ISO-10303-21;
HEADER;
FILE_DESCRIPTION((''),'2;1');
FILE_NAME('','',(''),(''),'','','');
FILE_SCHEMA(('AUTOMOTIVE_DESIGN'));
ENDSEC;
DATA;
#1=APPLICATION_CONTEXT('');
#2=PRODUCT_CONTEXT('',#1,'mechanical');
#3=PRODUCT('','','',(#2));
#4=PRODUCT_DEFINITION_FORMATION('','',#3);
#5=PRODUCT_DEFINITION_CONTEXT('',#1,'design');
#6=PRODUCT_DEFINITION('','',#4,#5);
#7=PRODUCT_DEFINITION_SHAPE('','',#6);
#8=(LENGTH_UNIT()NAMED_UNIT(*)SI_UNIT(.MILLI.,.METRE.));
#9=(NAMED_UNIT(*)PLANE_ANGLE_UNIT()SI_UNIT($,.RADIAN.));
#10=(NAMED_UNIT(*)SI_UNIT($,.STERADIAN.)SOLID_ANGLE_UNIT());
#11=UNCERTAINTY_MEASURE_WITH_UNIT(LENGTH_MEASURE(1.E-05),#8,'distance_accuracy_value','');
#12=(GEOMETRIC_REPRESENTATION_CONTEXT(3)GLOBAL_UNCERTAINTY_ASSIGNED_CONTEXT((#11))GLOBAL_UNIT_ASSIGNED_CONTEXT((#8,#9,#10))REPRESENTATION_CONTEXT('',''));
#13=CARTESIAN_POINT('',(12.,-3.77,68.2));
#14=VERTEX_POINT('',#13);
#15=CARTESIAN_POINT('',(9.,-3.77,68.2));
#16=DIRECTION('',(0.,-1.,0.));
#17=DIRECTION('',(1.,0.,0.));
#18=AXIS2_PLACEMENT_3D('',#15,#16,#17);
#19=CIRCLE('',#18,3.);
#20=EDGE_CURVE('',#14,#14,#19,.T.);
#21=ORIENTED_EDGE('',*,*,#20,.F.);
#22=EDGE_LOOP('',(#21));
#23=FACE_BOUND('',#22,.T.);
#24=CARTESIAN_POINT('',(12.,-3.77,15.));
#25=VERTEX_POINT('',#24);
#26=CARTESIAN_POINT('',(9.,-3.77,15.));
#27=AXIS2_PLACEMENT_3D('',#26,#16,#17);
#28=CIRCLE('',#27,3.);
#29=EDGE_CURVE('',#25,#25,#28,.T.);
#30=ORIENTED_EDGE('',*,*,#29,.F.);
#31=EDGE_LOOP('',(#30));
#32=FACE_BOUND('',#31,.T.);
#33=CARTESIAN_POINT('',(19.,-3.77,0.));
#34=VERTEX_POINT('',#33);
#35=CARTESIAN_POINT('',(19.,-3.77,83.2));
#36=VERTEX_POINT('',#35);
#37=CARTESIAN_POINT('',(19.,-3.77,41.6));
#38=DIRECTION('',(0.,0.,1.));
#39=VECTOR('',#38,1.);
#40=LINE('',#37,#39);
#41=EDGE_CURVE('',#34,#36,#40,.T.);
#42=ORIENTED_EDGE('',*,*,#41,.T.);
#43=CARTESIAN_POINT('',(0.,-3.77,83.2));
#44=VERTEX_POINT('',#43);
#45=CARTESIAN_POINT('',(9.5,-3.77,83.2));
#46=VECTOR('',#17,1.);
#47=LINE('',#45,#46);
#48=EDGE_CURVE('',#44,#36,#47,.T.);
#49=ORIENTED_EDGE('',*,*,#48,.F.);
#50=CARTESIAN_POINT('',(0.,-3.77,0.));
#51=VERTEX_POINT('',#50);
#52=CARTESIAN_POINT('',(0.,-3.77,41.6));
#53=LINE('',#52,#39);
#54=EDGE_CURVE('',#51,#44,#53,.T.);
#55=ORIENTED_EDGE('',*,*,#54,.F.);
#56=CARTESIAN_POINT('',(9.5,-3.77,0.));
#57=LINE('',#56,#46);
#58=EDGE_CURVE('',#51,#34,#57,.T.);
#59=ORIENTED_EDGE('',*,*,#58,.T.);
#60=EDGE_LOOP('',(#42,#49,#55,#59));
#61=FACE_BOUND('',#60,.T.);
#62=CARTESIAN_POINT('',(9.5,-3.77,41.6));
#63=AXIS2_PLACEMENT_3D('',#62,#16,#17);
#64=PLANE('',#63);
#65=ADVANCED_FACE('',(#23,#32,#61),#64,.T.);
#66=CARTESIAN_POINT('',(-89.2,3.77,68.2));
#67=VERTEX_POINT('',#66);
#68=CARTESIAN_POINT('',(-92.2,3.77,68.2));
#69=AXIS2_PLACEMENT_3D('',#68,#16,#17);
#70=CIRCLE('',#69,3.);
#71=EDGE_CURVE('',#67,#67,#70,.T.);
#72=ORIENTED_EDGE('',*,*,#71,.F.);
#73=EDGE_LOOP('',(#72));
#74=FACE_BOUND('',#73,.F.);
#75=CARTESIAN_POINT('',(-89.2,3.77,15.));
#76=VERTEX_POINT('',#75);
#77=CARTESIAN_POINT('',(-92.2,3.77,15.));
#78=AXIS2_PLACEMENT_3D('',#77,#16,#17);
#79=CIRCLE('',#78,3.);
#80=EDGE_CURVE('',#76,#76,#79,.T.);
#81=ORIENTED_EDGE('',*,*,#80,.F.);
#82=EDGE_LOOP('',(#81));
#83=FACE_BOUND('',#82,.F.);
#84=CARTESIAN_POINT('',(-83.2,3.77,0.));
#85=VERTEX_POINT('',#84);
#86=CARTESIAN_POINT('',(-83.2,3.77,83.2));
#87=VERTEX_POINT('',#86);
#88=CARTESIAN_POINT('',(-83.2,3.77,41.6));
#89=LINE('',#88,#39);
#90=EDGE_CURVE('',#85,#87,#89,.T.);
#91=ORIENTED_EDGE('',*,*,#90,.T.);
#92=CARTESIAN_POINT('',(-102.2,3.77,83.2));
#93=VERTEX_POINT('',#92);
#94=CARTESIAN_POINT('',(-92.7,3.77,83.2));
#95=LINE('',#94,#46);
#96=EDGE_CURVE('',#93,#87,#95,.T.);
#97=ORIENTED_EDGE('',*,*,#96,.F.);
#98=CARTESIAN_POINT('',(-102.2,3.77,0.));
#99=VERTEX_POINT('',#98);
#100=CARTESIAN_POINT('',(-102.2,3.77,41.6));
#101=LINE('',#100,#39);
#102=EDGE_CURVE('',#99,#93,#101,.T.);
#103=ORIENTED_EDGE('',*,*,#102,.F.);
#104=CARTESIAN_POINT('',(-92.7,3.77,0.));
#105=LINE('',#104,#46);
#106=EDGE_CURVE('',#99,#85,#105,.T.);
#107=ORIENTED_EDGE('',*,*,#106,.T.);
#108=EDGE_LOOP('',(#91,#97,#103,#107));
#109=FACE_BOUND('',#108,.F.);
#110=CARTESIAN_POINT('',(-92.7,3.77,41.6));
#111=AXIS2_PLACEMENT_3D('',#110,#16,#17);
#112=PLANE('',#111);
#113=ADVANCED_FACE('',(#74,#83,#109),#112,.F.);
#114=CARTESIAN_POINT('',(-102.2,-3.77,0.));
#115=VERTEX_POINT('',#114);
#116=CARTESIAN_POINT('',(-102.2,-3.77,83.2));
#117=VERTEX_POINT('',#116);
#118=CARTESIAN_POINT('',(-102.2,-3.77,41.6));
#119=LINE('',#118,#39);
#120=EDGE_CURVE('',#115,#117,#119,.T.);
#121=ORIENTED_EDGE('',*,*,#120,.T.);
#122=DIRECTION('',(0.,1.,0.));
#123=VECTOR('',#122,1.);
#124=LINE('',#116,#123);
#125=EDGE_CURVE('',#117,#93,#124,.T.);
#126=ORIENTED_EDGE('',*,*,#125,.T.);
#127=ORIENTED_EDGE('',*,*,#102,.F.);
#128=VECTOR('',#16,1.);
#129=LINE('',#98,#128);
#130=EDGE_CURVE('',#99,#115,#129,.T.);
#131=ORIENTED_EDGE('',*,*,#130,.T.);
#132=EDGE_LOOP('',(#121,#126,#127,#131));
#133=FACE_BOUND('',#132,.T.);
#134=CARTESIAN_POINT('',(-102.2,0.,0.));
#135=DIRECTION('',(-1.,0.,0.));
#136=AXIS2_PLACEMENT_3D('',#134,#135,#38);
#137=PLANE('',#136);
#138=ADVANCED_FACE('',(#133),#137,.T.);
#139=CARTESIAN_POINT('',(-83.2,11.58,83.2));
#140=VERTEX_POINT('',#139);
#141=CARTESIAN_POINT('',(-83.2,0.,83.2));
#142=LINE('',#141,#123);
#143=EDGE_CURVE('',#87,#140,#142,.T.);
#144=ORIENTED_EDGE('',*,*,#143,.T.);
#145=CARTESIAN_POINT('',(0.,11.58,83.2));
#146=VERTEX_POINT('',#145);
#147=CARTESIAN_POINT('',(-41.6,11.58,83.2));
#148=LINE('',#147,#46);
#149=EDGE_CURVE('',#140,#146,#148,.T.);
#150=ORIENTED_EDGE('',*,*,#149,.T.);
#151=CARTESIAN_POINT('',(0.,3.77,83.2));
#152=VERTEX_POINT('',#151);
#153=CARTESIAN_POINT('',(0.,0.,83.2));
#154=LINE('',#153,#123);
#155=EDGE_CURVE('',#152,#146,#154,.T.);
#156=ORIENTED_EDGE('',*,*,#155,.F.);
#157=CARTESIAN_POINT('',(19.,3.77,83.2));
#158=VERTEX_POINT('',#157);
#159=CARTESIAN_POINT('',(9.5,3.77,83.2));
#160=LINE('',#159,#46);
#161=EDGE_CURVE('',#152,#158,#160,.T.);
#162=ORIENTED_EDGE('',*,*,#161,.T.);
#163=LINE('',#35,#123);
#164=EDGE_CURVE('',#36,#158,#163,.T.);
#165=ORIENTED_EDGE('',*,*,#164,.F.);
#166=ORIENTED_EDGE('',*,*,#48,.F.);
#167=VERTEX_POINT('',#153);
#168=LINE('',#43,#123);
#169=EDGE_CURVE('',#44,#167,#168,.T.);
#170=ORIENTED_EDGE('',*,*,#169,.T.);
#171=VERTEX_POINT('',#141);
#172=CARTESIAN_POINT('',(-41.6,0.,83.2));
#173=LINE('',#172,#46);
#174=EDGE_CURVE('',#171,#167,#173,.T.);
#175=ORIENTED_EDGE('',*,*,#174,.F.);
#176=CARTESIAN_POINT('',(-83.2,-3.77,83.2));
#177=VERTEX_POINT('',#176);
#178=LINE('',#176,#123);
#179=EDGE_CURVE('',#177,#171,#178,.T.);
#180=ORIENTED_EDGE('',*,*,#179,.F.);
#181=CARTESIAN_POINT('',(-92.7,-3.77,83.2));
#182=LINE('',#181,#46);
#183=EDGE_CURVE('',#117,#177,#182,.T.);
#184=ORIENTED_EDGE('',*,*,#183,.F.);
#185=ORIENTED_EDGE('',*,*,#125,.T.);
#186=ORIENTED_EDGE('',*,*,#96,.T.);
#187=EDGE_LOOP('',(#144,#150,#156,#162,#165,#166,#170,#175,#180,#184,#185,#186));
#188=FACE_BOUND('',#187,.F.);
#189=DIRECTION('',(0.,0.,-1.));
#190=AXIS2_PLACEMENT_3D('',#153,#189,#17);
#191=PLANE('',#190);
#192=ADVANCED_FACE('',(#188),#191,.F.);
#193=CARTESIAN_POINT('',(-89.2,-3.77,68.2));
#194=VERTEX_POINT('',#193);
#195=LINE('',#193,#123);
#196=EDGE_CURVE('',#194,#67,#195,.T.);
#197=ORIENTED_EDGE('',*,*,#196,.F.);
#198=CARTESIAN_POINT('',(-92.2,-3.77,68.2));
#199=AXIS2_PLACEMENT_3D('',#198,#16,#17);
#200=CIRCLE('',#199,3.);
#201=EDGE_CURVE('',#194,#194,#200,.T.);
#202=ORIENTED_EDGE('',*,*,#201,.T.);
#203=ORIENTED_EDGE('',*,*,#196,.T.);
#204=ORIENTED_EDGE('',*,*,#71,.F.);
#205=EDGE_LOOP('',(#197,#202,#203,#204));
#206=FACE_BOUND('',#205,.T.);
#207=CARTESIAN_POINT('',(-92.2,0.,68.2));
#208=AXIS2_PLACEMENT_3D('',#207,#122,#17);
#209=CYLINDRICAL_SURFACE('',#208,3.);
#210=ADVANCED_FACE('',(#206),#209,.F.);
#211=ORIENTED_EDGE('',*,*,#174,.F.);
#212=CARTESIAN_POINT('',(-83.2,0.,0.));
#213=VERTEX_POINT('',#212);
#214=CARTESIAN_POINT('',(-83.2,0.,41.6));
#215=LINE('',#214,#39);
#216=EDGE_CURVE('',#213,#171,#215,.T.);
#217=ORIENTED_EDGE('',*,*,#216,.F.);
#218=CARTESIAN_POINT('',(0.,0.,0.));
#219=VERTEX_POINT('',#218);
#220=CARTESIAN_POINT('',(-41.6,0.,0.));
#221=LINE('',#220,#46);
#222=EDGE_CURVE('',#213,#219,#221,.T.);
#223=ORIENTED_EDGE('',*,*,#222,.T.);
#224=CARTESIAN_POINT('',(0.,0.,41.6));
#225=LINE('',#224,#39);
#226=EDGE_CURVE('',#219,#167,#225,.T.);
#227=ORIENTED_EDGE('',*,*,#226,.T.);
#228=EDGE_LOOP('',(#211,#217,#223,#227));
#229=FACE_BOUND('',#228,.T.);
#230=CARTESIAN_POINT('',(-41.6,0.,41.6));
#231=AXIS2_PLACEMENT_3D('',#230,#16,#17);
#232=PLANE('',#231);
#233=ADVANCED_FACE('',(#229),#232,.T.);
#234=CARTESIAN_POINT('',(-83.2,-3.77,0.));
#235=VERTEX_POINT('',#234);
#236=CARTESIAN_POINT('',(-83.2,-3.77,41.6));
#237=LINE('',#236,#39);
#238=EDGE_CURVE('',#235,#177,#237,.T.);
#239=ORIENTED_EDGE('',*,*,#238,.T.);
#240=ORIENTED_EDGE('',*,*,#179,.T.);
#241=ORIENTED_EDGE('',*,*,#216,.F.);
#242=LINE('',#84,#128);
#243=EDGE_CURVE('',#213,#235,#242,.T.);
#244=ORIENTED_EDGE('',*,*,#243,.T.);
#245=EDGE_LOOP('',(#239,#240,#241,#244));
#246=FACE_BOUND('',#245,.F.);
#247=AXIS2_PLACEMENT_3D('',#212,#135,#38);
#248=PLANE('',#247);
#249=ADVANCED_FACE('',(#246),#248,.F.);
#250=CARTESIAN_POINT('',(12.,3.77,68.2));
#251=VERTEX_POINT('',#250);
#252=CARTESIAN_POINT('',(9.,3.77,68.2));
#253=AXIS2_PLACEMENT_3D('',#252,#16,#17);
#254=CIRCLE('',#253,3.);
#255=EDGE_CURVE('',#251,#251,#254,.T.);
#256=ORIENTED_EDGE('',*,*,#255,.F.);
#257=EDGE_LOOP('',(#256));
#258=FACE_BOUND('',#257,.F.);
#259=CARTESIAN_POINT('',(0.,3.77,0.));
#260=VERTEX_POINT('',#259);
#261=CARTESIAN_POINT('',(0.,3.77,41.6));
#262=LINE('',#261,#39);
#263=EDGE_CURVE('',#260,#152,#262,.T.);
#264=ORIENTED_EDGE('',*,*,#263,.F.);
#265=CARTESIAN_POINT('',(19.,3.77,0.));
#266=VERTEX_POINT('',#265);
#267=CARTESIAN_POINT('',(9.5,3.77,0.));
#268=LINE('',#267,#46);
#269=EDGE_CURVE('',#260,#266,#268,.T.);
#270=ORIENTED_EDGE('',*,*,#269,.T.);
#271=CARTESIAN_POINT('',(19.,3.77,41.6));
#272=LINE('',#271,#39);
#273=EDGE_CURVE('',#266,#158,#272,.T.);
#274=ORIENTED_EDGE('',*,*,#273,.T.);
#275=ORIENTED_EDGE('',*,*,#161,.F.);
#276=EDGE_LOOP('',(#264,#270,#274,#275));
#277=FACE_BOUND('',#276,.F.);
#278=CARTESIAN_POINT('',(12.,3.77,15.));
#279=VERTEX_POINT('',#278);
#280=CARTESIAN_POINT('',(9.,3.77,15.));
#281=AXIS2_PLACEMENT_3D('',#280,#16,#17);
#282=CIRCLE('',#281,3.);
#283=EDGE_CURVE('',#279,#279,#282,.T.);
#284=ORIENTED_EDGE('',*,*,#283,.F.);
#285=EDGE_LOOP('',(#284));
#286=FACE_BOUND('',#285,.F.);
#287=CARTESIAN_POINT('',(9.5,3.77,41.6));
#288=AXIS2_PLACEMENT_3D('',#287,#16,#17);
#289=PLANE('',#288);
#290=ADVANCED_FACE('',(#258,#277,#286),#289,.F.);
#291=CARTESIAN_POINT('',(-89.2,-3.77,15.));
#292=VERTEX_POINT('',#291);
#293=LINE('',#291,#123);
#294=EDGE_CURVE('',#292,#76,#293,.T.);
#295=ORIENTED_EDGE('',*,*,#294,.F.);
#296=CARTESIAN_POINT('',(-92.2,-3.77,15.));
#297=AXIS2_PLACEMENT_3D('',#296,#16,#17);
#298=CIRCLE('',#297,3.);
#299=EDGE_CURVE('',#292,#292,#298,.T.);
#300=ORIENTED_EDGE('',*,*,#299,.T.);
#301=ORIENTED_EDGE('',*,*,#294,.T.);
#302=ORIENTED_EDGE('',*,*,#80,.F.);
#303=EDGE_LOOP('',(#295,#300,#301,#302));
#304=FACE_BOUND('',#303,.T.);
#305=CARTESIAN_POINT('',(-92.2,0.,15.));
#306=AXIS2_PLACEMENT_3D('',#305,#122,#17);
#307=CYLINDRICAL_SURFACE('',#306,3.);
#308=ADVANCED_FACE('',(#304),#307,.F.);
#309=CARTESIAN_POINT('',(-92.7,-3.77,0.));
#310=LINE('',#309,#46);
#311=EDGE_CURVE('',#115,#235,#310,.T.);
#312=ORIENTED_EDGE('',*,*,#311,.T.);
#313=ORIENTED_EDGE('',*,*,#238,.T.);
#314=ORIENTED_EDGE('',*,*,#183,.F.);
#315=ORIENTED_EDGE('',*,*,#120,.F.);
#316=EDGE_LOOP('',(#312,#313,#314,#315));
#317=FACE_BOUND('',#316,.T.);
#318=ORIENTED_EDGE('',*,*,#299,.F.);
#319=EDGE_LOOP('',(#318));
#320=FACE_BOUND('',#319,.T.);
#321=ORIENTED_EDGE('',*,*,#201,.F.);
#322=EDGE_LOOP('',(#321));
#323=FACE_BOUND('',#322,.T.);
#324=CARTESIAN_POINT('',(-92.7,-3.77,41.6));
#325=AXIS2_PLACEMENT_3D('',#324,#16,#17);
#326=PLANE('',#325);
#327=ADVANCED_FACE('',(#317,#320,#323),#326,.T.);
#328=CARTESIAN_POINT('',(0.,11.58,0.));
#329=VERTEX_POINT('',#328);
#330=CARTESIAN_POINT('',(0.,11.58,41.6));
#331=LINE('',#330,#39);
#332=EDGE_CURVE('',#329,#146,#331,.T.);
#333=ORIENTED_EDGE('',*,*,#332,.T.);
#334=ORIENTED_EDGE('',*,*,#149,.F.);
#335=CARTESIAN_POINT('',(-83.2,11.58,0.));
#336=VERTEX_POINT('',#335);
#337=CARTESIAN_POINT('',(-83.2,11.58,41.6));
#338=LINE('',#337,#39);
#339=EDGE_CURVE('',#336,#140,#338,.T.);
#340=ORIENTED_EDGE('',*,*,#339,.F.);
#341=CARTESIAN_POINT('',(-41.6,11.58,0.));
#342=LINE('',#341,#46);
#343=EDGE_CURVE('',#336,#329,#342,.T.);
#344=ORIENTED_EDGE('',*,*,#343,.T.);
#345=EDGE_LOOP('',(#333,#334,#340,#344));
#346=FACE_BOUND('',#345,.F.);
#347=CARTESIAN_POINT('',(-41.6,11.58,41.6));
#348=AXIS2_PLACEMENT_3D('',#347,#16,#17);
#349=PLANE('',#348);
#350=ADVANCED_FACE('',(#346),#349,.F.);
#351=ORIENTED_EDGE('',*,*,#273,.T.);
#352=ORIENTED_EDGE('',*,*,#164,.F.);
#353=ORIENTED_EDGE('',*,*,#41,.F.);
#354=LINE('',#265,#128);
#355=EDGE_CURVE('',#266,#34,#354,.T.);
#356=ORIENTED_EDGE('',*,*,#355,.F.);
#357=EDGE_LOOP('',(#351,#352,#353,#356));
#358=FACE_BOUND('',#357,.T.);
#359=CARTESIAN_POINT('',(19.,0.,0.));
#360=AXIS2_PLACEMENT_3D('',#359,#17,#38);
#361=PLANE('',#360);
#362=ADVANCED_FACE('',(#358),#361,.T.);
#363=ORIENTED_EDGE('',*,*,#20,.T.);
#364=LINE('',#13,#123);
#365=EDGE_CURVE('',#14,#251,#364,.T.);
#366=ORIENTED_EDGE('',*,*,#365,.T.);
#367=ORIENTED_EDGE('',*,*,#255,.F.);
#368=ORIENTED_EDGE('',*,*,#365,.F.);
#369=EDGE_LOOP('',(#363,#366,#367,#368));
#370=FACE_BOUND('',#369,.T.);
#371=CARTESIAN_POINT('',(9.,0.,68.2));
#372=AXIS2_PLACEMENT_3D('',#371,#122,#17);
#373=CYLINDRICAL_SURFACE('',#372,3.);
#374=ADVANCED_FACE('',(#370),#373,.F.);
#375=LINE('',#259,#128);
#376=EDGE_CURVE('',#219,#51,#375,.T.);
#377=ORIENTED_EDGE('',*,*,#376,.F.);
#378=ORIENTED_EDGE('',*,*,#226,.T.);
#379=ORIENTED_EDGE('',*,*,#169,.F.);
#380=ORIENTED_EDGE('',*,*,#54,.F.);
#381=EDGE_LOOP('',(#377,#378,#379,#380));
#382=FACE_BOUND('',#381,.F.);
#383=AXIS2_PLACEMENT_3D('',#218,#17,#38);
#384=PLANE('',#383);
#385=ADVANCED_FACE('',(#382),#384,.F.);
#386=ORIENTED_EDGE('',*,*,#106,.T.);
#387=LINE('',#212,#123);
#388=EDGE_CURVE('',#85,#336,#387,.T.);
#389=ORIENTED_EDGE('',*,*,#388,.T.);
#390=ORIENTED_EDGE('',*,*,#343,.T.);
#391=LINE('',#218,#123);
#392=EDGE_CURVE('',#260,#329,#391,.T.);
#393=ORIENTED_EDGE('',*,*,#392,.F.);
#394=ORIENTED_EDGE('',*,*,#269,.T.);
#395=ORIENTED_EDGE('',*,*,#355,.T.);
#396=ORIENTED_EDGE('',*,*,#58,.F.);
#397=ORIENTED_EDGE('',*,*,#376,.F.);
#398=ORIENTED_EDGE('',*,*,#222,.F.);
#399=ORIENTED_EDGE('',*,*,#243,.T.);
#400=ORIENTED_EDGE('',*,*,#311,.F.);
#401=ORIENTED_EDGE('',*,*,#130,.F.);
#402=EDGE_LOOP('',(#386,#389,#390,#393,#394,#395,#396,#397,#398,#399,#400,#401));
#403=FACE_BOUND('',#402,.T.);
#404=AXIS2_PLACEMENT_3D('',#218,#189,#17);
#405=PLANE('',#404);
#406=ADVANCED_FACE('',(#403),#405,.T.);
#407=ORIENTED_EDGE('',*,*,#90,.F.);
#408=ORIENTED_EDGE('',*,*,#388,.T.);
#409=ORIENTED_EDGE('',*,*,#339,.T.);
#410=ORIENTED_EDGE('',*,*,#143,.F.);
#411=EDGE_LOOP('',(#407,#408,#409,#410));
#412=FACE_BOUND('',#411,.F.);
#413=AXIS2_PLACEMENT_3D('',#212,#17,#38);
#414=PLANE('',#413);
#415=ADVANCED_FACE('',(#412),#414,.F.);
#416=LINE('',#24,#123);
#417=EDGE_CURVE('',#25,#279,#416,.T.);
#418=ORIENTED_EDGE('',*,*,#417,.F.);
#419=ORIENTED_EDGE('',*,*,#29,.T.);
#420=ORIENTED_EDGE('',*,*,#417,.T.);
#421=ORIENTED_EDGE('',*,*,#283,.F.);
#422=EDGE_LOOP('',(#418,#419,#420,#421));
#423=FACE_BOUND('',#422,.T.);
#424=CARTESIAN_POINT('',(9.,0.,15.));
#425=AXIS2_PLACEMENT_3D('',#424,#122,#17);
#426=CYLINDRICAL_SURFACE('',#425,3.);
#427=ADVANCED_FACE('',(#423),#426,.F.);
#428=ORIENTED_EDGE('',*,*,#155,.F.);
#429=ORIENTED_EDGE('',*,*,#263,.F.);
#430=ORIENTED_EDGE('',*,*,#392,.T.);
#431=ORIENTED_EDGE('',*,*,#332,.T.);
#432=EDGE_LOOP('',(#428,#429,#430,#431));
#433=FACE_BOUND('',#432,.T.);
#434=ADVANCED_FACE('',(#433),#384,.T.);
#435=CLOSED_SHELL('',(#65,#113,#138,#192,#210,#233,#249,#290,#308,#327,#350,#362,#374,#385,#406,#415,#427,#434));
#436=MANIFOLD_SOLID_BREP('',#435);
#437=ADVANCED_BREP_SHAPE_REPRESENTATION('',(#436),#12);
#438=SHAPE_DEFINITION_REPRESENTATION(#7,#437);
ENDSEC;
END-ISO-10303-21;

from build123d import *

# Parameters (mm, degrees)
F0_W     = 83.2
F0_H     = 83.2
F1_DEPTH = 11.58
F0_W_2   = 19
F0_R     = 3
F2_DEPTH = 3.77


with BuildPart() as f1:
    # F0 (on Front) → F1 (new body)
    with BuildSketch(Plane.XZ):
        with Locations((-41.6, 41.6)):
            Rectangle(F0_W, F0_H)
    extrude(amount=-F1_DEPTH)

    # F0 (on Front) → F2 (join, symmetric)
    with BuildSketch(Plane.XZ):
        with Locations((-92.7, 41.6)):
            Rectangle(F0_W_2, F0_H)
        with Locations((-92.2, 15)):
            Circle(F0_R, mode=Mode.SUBTRACT)
        with Locations((-92.2, 68.2)):
            Circle(F0_R, mode=Mode.SUBTRACT)
        with Locations((9.5, 41.6)):
            Rectangle(F0_W_2, F0_H)
        with Locations((9, 15)):
            Circle(F0_R, mode=Mode.SUBTRACT)
        with Locations((9, 68.2)):
            Circle(F0_R, mode=Mode.SUBTRACT)
    extrude(amount=F2_DEPTH, both=True)


solid = f1.part
